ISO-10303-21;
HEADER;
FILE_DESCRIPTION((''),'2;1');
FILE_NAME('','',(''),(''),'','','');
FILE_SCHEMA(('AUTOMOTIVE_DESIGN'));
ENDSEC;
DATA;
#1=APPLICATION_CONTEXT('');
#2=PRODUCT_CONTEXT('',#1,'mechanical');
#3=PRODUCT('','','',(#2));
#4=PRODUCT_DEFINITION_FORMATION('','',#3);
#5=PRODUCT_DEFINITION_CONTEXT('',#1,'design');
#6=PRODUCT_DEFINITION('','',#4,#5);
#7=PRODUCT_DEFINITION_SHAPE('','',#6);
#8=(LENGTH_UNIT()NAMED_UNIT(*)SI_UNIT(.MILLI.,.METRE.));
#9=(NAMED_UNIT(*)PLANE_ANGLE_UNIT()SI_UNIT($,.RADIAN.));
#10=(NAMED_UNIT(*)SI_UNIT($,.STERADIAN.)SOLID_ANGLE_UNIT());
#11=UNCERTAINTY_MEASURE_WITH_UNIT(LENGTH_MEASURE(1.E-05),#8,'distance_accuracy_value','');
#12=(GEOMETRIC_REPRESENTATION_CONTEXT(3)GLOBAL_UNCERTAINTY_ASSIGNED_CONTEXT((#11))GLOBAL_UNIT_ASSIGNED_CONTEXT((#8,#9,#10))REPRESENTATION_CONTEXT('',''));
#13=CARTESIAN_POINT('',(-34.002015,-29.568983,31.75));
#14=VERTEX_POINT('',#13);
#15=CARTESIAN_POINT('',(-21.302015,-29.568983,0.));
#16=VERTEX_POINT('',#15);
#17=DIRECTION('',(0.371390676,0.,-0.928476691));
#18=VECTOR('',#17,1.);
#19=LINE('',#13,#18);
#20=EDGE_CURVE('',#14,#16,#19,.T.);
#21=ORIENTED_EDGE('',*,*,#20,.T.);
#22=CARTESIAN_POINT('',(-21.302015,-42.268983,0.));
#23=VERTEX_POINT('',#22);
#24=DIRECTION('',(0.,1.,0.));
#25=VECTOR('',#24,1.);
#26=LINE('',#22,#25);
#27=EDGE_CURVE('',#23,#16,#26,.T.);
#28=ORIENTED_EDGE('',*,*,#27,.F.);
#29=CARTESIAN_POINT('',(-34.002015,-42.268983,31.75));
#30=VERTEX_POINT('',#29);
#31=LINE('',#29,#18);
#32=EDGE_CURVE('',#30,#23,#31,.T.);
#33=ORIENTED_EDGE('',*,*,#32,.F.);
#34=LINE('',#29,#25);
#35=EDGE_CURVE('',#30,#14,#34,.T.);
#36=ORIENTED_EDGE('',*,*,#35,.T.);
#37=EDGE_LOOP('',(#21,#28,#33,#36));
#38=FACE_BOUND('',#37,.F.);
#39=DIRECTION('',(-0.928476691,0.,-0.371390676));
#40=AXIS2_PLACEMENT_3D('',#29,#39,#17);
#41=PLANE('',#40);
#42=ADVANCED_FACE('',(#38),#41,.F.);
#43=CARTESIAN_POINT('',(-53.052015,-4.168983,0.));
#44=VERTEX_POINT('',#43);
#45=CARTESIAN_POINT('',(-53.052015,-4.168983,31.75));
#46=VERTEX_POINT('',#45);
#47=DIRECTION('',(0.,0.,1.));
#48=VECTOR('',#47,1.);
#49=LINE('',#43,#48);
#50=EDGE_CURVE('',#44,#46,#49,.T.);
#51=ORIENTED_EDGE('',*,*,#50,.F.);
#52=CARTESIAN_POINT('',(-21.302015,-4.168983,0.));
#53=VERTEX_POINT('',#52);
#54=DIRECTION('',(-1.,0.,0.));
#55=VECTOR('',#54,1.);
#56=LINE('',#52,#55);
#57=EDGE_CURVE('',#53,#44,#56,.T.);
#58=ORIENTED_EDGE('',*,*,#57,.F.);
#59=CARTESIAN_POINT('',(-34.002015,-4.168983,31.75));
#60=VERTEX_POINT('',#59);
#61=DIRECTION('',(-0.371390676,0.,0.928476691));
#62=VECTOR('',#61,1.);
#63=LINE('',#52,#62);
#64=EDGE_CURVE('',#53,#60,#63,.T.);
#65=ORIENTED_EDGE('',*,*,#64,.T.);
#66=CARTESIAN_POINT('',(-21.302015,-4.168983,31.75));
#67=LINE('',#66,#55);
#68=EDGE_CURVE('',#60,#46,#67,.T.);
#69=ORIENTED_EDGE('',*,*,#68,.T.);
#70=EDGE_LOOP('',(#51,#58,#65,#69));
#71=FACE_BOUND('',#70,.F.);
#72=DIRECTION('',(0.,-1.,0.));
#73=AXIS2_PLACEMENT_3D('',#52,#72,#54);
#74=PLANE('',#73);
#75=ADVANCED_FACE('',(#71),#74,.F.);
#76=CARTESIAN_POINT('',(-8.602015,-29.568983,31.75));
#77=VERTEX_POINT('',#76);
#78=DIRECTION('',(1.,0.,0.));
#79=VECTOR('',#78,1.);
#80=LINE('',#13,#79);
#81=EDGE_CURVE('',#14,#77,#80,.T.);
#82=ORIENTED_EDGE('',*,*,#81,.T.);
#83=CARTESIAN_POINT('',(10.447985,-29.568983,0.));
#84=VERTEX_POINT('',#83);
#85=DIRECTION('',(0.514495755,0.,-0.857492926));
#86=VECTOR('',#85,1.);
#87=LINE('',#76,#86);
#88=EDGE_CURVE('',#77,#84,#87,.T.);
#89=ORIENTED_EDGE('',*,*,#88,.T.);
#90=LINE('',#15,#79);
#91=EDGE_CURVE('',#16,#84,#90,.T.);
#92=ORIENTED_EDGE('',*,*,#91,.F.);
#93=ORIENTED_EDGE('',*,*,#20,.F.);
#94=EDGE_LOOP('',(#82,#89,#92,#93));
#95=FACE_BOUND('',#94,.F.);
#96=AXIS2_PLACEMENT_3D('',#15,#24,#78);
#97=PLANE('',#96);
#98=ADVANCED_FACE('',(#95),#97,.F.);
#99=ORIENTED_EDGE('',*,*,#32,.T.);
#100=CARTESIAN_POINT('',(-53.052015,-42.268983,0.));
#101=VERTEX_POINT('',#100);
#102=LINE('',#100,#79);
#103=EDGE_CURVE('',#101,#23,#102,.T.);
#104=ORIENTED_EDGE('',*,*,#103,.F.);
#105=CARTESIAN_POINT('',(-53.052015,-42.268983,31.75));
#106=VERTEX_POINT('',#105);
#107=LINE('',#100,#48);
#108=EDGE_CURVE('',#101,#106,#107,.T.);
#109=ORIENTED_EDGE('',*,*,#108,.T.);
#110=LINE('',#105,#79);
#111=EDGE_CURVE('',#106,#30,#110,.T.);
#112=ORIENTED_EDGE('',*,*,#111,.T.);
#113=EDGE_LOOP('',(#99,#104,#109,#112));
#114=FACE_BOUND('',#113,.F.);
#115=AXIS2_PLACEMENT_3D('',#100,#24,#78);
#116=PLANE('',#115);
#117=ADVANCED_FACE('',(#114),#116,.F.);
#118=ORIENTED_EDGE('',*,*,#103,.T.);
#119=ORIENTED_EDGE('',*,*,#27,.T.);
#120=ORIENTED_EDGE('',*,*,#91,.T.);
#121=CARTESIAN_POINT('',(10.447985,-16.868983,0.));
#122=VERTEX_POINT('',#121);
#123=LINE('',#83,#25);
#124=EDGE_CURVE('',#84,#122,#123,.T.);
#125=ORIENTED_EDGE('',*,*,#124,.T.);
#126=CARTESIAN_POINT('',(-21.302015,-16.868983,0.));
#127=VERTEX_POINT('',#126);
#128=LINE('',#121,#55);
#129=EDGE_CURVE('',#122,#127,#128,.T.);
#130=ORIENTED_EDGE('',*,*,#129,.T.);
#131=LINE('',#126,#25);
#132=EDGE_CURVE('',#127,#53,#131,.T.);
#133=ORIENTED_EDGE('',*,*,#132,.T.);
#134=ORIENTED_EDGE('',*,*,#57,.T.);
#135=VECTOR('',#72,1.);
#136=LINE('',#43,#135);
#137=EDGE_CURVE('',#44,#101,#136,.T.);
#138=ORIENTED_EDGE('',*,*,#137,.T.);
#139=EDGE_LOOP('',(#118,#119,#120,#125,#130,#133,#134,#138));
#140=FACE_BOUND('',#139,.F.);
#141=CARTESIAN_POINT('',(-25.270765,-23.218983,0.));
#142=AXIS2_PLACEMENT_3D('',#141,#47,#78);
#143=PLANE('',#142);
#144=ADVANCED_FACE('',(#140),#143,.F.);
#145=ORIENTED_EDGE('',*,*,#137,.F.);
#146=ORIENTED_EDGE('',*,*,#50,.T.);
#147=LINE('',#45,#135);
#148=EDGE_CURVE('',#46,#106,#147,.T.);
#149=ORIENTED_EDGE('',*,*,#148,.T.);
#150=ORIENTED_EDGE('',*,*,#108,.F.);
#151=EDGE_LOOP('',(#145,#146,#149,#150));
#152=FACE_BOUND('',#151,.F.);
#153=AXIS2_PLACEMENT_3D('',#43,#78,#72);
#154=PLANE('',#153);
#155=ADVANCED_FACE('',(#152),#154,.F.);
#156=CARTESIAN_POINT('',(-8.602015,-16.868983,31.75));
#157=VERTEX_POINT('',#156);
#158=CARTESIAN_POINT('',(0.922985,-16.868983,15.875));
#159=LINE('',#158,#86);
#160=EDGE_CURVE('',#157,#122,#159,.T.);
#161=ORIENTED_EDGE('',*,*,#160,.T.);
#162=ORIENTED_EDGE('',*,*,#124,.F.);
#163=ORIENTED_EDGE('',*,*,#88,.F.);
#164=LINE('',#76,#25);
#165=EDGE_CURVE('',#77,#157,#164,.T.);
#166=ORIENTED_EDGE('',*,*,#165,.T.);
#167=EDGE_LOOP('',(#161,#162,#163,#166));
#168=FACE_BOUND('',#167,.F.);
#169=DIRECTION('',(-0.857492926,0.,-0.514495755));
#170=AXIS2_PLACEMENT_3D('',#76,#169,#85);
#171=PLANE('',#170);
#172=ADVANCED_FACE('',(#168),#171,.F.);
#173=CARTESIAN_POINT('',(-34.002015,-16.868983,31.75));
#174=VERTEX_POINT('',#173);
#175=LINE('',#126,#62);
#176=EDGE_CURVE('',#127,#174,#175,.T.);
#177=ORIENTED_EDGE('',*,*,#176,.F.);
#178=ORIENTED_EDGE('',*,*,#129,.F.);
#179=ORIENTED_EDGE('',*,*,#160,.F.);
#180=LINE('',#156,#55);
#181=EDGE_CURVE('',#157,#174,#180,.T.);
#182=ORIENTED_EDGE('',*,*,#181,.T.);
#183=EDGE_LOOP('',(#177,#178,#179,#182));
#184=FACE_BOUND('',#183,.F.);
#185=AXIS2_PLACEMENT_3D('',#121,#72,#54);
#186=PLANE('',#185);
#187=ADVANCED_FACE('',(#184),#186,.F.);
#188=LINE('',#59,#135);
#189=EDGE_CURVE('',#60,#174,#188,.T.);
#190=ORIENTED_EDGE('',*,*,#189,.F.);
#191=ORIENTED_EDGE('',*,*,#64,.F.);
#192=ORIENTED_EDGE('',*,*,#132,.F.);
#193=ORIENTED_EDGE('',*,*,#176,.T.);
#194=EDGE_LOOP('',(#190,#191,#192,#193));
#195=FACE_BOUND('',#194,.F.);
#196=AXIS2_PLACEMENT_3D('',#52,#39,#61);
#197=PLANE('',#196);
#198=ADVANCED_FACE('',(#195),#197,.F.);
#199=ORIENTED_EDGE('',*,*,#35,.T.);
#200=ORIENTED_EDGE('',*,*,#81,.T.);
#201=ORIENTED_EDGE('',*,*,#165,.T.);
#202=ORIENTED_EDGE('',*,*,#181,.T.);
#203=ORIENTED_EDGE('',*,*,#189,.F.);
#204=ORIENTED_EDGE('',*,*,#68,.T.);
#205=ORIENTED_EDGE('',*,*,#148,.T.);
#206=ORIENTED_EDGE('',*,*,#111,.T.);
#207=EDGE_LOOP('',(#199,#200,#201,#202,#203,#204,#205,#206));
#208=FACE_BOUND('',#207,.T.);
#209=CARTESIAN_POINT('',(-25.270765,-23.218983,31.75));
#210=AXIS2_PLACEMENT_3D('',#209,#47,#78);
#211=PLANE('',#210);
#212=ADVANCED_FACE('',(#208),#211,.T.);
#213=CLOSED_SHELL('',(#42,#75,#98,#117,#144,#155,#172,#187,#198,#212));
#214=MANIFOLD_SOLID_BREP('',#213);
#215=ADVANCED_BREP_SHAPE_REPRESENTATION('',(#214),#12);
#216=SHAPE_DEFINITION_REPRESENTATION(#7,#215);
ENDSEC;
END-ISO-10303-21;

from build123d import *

# Parameters (mm, degrees)
F1_DEPTH = 31.75
F3_DEPTH = 12.7
F5_DEPTH = 25.401
F7_DEPTH = 12.7


with BuildPart() as f1:
    # F0 (on Top) → F1 (new body)
    with BuildSketch(Plane.XY):
        Polygon((-21.302015, -4.168983), (-53.052015, -4.168983), (-53.052015, -42.268983), (-21.302015, -42.268983), (-21.302015, -29.568983), (10.447985, -29.568983), (10.447985, -16.868983), (-21.302015, -16.868983), align=None)
    extrude(amount=F1_DEPTH)

    # F2 (on face) → F3 (cut)
    with BuildSketch(Plane.XZ.offset(42.268983)):
        Polygon((-21.302015, 31.75), (-34.002015, 31.75), (-21.302015, 0), align=None)
    extrude(amount=-F3_DEPTH, mode=Mode.SUBTRACT)

    # F4 (on face) → F5 (cut, through all)
    with BuildSketch(Plane.XZ.offset(29.568983)):
        Polygon((10.447985, 31.75), (-8.602015, 31.75), (10.447985, 0), align=None)
    extrude(amount=-F5_DEPTH, mode=Mode.SUBTRACT)

    # F6 (on face) → F7 (cut)
    with BuildSketch(Plane(origin=(0, -4.168983, 0), x_dir=(-1, 0, 0), z_dir=(0, 1, 0))):
        Polygon((21.302015, 0), (34.002015, 31.75), (21.302015, 31.75), align=None)
    extrude(amount=-F7_DEPTH, mode=Mode.SUBTRACT)


solid = f1.part
